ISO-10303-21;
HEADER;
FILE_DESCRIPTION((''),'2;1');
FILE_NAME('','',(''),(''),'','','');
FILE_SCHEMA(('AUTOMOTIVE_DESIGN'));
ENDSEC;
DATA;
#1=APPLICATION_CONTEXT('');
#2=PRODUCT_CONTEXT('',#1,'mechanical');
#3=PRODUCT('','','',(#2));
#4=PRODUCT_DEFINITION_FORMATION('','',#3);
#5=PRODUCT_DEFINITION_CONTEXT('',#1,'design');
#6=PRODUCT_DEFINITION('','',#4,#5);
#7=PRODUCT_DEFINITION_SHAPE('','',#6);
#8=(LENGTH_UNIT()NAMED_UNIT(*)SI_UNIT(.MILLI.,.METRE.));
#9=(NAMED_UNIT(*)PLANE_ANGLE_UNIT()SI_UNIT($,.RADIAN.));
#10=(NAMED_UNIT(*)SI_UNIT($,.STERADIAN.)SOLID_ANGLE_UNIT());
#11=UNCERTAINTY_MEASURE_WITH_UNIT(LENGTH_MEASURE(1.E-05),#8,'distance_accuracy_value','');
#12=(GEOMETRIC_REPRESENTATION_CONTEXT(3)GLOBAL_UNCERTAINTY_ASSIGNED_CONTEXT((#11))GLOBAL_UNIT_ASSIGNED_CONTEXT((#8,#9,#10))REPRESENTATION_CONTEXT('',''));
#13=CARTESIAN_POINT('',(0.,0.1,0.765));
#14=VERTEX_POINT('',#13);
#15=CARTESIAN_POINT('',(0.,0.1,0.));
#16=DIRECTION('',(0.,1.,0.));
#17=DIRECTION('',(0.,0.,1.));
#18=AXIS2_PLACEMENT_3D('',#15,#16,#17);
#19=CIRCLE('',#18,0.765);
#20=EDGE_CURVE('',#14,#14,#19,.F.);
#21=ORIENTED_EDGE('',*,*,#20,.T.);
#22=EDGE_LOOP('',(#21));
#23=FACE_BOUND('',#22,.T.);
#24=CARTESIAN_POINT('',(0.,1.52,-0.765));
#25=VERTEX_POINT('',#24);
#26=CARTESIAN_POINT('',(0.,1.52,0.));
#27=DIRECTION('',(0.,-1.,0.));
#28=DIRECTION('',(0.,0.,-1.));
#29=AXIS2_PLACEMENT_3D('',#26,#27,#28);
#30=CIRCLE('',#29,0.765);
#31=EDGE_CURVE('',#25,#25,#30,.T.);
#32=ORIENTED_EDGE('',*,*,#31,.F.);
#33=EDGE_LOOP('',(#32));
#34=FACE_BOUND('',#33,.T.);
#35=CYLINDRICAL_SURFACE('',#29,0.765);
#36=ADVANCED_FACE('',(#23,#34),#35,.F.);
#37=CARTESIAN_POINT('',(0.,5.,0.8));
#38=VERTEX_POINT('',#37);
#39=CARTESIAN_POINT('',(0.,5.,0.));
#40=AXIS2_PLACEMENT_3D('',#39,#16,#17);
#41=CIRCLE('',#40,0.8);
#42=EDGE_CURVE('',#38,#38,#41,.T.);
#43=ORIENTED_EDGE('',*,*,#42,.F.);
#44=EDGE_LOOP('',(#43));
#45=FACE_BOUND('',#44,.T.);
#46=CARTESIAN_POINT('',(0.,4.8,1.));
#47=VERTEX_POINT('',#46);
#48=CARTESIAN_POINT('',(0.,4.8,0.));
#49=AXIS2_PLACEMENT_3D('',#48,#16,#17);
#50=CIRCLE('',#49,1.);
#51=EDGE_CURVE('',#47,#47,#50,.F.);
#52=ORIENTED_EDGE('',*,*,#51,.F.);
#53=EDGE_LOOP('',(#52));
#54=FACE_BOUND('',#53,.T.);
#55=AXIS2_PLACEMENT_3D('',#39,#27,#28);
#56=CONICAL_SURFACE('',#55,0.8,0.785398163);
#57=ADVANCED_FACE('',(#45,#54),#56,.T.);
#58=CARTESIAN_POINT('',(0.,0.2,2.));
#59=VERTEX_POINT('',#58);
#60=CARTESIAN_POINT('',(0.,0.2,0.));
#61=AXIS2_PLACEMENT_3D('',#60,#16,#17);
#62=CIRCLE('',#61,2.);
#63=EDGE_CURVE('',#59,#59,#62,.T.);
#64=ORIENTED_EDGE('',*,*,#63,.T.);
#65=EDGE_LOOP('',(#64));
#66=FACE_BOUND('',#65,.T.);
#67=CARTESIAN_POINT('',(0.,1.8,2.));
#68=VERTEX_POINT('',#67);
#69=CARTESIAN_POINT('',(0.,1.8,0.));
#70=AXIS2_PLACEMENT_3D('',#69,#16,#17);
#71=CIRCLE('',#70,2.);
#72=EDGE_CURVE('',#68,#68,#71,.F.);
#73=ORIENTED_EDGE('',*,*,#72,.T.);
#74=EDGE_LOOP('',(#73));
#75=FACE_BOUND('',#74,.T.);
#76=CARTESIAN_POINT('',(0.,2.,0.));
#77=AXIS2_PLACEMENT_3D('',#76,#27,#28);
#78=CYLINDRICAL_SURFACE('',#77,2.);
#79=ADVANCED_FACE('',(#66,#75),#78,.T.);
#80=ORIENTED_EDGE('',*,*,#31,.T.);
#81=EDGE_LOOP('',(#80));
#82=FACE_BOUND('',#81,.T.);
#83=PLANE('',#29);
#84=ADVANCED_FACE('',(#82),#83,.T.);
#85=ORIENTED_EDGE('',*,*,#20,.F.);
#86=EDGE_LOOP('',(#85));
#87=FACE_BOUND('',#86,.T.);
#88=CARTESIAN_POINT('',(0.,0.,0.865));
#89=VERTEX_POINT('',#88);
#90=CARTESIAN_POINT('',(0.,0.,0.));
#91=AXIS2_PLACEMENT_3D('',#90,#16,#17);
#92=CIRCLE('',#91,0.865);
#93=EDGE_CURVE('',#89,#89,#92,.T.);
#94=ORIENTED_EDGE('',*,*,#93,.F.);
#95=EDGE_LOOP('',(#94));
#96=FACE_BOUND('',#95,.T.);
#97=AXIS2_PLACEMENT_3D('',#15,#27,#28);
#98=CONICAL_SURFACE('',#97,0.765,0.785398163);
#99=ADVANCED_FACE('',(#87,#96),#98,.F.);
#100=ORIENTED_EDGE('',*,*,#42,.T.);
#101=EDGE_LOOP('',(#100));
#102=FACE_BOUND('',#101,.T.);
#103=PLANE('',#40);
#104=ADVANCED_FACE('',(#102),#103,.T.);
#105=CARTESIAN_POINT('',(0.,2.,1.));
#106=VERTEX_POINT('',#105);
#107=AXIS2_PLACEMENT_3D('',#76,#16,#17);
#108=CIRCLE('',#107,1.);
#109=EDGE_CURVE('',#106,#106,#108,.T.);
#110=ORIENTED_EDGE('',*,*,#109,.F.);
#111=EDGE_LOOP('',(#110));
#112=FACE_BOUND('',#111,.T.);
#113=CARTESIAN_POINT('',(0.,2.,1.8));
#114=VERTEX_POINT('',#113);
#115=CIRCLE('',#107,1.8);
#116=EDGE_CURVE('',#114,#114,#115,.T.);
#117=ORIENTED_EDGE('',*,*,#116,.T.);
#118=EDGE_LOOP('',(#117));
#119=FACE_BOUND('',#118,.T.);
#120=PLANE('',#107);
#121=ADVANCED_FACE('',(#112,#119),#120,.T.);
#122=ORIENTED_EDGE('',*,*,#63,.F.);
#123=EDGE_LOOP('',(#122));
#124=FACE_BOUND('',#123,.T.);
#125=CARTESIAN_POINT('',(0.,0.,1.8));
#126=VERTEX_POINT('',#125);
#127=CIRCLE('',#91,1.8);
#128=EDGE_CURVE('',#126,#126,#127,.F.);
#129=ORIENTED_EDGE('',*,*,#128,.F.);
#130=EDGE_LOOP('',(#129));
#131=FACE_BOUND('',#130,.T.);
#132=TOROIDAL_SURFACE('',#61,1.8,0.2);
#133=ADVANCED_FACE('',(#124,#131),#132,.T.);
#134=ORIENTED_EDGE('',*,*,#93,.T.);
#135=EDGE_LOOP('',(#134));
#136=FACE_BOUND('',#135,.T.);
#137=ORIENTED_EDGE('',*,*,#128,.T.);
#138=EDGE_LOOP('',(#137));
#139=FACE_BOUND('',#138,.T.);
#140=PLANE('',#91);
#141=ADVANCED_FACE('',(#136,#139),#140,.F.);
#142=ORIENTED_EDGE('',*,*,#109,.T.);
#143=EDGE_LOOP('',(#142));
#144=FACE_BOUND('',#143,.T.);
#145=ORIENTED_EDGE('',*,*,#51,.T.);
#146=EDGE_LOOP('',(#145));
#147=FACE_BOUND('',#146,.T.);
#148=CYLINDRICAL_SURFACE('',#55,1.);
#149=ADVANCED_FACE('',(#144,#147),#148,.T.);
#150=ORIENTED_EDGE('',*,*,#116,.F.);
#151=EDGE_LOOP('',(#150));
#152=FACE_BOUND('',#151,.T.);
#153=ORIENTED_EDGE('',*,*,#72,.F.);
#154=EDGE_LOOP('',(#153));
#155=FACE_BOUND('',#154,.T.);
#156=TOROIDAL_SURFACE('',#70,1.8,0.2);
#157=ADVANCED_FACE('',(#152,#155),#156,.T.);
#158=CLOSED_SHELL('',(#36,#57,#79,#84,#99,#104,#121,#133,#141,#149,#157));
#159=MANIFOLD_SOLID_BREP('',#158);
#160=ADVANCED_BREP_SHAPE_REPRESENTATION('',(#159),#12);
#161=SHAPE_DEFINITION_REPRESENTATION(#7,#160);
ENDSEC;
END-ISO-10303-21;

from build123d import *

# Parameters (mm, degrees)
SKETCH_2_R          = 2
EXTRUDE_1_DEPTH     = 2
SKETCH_3_R          = 1
EXTRUDE_2_DEPTH     = 3
FILLET_1_R          = 0.2
SKETCH_4_R          = 0.765
CUT_EXTRUDE_1_DEPTH = 1.52
CHAMFER_1_SIZE      = 0.1
CHAMFER_2_SIZE      = 0.2


with BuildPart() as part:
    # 草图2 → 凸台-拉伸1 (new body)
    with BuildSketch(Plane(origin=(0, 0, 0), x_dir=(1, 0, 0), z_dir=(0, 1, 0))):
        with Locations(Location((0, 0, 0), (0, 0, 270))):
            Circle(SKETCH_2_R)
    extrude(amount=EXTRUDE_1_DEPTH)

    # 草图3 → 凸台-拉伸2 (add)
    with BuildSketch(Plane(origin=(0, 2, 0), x_dir=(1, 0, 0), z_dir=(0, 1, 0))):
        with Locations(Location((0, 0, 0), (0, 0, 270))):
            Circle(SKETCH_3_R)
    extrude(amount=EXTRUDE_2_DEPTH)

    # 圆角1
    fillet_1_edges = [part.edges().sort_by_distance(p)[0] for p in [
        (0, 0, -2),
        (0, 2, -2),
    ]]
    fillet(fillet_1_edges, radius=FILLET_1_R)

    # 草图4 → 切除-拉伸1 (cut)
    with BuildSketch(Plane.XZ):
        with Locations(Location((0, 0, 0), (0, 0, 270))):
            Circle(SKETCH_4_R)
    extrude(amount=-CUT_EXTRUDE_1_DEPTH, mode=Mode.SUBTRACT)

    # 倒角1
    chamfer_1_edges = [part.edges().sort_by_distance(p)[0] for p in [
        (0, 0, 0.765),
    ]]
    chamfer(chamfer_1_edges, length=CHAMFER_1_SIZE)

    # 倒角2
    chamfer_2_edges = [part.edges().sort_by_distance(p)[0] for p in [
        (0, 5, -1),
    ]]
    chamfer(chamfer_2_edges, length=CHAMFER_2_SIZE)


solid = part.part
